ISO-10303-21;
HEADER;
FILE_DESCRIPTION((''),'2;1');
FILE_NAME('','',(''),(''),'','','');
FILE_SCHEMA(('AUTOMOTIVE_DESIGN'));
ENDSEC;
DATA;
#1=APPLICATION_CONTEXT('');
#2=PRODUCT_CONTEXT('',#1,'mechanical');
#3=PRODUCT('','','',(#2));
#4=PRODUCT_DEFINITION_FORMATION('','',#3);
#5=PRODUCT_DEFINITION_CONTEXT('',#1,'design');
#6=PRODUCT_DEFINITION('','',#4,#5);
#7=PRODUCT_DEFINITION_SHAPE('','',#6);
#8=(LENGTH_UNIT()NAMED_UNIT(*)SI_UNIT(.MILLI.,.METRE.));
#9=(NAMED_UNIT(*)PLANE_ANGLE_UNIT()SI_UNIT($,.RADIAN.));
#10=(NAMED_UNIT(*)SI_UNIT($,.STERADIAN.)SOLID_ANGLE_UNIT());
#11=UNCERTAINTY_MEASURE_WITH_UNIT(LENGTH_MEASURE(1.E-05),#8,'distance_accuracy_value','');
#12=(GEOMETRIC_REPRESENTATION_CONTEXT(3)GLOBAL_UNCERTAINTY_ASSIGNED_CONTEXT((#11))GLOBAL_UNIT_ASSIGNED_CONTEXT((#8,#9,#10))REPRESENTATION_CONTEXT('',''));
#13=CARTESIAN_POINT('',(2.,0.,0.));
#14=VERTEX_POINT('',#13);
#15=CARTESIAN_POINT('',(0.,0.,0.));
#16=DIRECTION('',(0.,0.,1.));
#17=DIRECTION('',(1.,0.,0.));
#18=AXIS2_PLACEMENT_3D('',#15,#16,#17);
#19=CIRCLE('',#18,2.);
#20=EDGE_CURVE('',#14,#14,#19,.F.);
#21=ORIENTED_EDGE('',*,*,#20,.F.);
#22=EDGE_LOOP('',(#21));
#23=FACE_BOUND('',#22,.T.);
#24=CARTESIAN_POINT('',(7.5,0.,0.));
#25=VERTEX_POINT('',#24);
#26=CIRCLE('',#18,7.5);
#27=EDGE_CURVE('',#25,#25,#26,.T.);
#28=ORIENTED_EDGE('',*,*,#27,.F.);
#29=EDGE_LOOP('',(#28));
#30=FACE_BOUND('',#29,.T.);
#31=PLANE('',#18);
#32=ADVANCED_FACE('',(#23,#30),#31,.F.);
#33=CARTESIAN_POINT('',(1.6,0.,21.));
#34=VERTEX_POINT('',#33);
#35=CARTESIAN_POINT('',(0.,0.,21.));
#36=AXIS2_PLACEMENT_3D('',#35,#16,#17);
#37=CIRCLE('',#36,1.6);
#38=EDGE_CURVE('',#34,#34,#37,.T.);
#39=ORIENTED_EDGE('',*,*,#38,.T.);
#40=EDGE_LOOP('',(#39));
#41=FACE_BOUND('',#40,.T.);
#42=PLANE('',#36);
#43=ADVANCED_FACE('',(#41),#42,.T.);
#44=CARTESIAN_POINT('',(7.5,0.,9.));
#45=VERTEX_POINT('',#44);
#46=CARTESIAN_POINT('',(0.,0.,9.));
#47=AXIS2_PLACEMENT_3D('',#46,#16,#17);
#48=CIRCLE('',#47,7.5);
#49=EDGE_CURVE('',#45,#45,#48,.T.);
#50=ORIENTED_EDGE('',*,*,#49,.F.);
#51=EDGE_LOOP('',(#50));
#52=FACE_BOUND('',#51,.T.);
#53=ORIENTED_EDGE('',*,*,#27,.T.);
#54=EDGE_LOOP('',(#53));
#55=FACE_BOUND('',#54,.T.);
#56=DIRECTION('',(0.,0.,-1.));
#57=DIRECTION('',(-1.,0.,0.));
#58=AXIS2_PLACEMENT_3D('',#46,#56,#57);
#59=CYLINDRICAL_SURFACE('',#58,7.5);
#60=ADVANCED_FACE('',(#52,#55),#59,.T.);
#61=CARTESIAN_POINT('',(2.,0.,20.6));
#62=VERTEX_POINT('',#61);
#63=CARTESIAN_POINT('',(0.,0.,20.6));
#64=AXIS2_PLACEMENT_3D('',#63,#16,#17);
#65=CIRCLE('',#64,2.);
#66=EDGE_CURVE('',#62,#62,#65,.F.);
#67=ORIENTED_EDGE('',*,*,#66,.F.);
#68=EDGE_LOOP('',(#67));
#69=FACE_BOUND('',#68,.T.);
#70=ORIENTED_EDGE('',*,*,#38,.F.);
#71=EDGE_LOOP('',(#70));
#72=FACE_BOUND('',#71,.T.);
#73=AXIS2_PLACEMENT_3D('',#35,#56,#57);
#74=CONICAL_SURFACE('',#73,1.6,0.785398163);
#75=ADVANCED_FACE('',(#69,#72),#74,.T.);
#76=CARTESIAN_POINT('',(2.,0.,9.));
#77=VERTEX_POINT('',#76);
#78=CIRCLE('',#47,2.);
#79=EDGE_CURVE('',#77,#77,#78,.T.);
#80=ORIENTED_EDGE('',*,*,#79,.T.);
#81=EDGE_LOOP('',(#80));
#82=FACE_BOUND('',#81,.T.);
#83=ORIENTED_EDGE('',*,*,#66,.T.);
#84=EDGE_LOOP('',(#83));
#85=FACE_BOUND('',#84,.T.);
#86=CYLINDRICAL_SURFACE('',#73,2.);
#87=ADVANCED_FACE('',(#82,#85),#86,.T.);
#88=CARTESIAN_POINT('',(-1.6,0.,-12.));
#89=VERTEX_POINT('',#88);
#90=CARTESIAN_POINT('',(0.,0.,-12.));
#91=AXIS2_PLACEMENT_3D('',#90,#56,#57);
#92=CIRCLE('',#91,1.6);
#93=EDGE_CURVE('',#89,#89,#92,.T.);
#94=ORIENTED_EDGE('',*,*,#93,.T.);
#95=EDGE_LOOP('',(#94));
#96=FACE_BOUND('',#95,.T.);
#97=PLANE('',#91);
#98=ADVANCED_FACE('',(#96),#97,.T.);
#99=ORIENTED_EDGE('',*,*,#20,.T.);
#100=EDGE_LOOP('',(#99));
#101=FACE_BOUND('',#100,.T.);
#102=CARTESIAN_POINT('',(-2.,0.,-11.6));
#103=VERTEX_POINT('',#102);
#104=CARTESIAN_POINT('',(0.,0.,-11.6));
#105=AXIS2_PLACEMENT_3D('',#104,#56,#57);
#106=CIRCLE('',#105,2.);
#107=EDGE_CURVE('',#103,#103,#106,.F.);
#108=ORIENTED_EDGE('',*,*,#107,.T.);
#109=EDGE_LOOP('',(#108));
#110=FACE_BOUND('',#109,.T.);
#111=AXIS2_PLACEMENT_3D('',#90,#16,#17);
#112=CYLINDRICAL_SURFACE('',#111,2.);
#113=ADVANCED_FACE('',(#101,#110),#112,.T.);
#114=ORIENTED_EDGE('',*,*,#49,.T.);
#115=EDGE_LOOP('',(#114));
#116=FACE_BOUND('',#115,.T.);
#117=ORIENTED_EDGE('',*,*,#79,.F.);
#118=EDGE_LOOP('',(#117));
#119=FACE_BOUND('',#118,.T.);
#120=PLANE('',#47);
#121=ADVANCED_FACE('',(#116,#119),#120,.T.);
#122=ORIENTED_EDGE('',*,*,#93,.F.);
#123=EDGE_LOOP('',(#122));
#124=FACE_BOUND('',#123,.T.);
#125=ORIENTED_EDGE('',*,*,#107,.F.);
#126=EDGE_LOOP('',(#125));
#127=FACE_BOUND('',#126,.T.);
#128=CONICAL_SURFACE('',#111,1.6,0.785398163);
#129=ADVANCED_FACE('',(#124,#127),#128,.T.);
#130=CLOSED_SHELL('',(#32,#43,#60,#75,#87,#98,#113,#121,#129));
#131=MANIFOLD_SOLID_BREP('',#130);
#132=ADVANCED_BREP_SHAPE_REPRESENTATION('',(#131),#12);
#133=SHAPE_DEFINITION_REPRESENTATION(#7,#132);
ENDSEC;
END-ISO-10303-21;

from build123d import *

# Parameters (mm, degrees)
ESQUISSE1_R      = 7.5
EXTRUSION1_DEPTH = 9
ESQUISSE2_R      = 2
EXTRUSION2_DEPTH = 12
EXTRUSION3_START = 12
ESQUISSE3_R      = 2
EXTRUSION3_DEPTH = 12
CHANFREIN1_SIZE  = 0.4


with BuildPart() as part:
    # Esquisse1 → Extrusion1 (new body)
    with BuildSketch(Plane.XY):
        Circle(ESQUISSE1_R)
    extrude(amount=EXTRUSION1_DEPTH)

    # Esquisse2 → Extrusion2 (add)
    with BuildSketch(Plane.XY.offset(9)):
        Circle(ESQUISSE2_R)
    extrude(amount=EXTRUSION2_DEPTH)

    # Esquisse3 → Extrusion3 (add)
    with BuildSketch(Plane(origin=(0, 0, 0), x_dir=(-1, 0, 0), z_dir=(0, 0, -1)).offset(EXTRUSION3_START)):
        with Locations(Location((0, 0, 0), (0, 0, 180))):
            Circle(ESQUISSE3_R)
    extrude(amount=-EXTRUSION3_DEPTH)

    # Chanfrein1
    chanfrein1_edges = [part.edges().sort_by_distance(p)[0] for p in [
        (-2, 0, -12),
        (-2, 0, 21),
    ]]
    chamfer(chanfrein1_edges, length=CHANFREIN1_SIZE)


solid = part.part
